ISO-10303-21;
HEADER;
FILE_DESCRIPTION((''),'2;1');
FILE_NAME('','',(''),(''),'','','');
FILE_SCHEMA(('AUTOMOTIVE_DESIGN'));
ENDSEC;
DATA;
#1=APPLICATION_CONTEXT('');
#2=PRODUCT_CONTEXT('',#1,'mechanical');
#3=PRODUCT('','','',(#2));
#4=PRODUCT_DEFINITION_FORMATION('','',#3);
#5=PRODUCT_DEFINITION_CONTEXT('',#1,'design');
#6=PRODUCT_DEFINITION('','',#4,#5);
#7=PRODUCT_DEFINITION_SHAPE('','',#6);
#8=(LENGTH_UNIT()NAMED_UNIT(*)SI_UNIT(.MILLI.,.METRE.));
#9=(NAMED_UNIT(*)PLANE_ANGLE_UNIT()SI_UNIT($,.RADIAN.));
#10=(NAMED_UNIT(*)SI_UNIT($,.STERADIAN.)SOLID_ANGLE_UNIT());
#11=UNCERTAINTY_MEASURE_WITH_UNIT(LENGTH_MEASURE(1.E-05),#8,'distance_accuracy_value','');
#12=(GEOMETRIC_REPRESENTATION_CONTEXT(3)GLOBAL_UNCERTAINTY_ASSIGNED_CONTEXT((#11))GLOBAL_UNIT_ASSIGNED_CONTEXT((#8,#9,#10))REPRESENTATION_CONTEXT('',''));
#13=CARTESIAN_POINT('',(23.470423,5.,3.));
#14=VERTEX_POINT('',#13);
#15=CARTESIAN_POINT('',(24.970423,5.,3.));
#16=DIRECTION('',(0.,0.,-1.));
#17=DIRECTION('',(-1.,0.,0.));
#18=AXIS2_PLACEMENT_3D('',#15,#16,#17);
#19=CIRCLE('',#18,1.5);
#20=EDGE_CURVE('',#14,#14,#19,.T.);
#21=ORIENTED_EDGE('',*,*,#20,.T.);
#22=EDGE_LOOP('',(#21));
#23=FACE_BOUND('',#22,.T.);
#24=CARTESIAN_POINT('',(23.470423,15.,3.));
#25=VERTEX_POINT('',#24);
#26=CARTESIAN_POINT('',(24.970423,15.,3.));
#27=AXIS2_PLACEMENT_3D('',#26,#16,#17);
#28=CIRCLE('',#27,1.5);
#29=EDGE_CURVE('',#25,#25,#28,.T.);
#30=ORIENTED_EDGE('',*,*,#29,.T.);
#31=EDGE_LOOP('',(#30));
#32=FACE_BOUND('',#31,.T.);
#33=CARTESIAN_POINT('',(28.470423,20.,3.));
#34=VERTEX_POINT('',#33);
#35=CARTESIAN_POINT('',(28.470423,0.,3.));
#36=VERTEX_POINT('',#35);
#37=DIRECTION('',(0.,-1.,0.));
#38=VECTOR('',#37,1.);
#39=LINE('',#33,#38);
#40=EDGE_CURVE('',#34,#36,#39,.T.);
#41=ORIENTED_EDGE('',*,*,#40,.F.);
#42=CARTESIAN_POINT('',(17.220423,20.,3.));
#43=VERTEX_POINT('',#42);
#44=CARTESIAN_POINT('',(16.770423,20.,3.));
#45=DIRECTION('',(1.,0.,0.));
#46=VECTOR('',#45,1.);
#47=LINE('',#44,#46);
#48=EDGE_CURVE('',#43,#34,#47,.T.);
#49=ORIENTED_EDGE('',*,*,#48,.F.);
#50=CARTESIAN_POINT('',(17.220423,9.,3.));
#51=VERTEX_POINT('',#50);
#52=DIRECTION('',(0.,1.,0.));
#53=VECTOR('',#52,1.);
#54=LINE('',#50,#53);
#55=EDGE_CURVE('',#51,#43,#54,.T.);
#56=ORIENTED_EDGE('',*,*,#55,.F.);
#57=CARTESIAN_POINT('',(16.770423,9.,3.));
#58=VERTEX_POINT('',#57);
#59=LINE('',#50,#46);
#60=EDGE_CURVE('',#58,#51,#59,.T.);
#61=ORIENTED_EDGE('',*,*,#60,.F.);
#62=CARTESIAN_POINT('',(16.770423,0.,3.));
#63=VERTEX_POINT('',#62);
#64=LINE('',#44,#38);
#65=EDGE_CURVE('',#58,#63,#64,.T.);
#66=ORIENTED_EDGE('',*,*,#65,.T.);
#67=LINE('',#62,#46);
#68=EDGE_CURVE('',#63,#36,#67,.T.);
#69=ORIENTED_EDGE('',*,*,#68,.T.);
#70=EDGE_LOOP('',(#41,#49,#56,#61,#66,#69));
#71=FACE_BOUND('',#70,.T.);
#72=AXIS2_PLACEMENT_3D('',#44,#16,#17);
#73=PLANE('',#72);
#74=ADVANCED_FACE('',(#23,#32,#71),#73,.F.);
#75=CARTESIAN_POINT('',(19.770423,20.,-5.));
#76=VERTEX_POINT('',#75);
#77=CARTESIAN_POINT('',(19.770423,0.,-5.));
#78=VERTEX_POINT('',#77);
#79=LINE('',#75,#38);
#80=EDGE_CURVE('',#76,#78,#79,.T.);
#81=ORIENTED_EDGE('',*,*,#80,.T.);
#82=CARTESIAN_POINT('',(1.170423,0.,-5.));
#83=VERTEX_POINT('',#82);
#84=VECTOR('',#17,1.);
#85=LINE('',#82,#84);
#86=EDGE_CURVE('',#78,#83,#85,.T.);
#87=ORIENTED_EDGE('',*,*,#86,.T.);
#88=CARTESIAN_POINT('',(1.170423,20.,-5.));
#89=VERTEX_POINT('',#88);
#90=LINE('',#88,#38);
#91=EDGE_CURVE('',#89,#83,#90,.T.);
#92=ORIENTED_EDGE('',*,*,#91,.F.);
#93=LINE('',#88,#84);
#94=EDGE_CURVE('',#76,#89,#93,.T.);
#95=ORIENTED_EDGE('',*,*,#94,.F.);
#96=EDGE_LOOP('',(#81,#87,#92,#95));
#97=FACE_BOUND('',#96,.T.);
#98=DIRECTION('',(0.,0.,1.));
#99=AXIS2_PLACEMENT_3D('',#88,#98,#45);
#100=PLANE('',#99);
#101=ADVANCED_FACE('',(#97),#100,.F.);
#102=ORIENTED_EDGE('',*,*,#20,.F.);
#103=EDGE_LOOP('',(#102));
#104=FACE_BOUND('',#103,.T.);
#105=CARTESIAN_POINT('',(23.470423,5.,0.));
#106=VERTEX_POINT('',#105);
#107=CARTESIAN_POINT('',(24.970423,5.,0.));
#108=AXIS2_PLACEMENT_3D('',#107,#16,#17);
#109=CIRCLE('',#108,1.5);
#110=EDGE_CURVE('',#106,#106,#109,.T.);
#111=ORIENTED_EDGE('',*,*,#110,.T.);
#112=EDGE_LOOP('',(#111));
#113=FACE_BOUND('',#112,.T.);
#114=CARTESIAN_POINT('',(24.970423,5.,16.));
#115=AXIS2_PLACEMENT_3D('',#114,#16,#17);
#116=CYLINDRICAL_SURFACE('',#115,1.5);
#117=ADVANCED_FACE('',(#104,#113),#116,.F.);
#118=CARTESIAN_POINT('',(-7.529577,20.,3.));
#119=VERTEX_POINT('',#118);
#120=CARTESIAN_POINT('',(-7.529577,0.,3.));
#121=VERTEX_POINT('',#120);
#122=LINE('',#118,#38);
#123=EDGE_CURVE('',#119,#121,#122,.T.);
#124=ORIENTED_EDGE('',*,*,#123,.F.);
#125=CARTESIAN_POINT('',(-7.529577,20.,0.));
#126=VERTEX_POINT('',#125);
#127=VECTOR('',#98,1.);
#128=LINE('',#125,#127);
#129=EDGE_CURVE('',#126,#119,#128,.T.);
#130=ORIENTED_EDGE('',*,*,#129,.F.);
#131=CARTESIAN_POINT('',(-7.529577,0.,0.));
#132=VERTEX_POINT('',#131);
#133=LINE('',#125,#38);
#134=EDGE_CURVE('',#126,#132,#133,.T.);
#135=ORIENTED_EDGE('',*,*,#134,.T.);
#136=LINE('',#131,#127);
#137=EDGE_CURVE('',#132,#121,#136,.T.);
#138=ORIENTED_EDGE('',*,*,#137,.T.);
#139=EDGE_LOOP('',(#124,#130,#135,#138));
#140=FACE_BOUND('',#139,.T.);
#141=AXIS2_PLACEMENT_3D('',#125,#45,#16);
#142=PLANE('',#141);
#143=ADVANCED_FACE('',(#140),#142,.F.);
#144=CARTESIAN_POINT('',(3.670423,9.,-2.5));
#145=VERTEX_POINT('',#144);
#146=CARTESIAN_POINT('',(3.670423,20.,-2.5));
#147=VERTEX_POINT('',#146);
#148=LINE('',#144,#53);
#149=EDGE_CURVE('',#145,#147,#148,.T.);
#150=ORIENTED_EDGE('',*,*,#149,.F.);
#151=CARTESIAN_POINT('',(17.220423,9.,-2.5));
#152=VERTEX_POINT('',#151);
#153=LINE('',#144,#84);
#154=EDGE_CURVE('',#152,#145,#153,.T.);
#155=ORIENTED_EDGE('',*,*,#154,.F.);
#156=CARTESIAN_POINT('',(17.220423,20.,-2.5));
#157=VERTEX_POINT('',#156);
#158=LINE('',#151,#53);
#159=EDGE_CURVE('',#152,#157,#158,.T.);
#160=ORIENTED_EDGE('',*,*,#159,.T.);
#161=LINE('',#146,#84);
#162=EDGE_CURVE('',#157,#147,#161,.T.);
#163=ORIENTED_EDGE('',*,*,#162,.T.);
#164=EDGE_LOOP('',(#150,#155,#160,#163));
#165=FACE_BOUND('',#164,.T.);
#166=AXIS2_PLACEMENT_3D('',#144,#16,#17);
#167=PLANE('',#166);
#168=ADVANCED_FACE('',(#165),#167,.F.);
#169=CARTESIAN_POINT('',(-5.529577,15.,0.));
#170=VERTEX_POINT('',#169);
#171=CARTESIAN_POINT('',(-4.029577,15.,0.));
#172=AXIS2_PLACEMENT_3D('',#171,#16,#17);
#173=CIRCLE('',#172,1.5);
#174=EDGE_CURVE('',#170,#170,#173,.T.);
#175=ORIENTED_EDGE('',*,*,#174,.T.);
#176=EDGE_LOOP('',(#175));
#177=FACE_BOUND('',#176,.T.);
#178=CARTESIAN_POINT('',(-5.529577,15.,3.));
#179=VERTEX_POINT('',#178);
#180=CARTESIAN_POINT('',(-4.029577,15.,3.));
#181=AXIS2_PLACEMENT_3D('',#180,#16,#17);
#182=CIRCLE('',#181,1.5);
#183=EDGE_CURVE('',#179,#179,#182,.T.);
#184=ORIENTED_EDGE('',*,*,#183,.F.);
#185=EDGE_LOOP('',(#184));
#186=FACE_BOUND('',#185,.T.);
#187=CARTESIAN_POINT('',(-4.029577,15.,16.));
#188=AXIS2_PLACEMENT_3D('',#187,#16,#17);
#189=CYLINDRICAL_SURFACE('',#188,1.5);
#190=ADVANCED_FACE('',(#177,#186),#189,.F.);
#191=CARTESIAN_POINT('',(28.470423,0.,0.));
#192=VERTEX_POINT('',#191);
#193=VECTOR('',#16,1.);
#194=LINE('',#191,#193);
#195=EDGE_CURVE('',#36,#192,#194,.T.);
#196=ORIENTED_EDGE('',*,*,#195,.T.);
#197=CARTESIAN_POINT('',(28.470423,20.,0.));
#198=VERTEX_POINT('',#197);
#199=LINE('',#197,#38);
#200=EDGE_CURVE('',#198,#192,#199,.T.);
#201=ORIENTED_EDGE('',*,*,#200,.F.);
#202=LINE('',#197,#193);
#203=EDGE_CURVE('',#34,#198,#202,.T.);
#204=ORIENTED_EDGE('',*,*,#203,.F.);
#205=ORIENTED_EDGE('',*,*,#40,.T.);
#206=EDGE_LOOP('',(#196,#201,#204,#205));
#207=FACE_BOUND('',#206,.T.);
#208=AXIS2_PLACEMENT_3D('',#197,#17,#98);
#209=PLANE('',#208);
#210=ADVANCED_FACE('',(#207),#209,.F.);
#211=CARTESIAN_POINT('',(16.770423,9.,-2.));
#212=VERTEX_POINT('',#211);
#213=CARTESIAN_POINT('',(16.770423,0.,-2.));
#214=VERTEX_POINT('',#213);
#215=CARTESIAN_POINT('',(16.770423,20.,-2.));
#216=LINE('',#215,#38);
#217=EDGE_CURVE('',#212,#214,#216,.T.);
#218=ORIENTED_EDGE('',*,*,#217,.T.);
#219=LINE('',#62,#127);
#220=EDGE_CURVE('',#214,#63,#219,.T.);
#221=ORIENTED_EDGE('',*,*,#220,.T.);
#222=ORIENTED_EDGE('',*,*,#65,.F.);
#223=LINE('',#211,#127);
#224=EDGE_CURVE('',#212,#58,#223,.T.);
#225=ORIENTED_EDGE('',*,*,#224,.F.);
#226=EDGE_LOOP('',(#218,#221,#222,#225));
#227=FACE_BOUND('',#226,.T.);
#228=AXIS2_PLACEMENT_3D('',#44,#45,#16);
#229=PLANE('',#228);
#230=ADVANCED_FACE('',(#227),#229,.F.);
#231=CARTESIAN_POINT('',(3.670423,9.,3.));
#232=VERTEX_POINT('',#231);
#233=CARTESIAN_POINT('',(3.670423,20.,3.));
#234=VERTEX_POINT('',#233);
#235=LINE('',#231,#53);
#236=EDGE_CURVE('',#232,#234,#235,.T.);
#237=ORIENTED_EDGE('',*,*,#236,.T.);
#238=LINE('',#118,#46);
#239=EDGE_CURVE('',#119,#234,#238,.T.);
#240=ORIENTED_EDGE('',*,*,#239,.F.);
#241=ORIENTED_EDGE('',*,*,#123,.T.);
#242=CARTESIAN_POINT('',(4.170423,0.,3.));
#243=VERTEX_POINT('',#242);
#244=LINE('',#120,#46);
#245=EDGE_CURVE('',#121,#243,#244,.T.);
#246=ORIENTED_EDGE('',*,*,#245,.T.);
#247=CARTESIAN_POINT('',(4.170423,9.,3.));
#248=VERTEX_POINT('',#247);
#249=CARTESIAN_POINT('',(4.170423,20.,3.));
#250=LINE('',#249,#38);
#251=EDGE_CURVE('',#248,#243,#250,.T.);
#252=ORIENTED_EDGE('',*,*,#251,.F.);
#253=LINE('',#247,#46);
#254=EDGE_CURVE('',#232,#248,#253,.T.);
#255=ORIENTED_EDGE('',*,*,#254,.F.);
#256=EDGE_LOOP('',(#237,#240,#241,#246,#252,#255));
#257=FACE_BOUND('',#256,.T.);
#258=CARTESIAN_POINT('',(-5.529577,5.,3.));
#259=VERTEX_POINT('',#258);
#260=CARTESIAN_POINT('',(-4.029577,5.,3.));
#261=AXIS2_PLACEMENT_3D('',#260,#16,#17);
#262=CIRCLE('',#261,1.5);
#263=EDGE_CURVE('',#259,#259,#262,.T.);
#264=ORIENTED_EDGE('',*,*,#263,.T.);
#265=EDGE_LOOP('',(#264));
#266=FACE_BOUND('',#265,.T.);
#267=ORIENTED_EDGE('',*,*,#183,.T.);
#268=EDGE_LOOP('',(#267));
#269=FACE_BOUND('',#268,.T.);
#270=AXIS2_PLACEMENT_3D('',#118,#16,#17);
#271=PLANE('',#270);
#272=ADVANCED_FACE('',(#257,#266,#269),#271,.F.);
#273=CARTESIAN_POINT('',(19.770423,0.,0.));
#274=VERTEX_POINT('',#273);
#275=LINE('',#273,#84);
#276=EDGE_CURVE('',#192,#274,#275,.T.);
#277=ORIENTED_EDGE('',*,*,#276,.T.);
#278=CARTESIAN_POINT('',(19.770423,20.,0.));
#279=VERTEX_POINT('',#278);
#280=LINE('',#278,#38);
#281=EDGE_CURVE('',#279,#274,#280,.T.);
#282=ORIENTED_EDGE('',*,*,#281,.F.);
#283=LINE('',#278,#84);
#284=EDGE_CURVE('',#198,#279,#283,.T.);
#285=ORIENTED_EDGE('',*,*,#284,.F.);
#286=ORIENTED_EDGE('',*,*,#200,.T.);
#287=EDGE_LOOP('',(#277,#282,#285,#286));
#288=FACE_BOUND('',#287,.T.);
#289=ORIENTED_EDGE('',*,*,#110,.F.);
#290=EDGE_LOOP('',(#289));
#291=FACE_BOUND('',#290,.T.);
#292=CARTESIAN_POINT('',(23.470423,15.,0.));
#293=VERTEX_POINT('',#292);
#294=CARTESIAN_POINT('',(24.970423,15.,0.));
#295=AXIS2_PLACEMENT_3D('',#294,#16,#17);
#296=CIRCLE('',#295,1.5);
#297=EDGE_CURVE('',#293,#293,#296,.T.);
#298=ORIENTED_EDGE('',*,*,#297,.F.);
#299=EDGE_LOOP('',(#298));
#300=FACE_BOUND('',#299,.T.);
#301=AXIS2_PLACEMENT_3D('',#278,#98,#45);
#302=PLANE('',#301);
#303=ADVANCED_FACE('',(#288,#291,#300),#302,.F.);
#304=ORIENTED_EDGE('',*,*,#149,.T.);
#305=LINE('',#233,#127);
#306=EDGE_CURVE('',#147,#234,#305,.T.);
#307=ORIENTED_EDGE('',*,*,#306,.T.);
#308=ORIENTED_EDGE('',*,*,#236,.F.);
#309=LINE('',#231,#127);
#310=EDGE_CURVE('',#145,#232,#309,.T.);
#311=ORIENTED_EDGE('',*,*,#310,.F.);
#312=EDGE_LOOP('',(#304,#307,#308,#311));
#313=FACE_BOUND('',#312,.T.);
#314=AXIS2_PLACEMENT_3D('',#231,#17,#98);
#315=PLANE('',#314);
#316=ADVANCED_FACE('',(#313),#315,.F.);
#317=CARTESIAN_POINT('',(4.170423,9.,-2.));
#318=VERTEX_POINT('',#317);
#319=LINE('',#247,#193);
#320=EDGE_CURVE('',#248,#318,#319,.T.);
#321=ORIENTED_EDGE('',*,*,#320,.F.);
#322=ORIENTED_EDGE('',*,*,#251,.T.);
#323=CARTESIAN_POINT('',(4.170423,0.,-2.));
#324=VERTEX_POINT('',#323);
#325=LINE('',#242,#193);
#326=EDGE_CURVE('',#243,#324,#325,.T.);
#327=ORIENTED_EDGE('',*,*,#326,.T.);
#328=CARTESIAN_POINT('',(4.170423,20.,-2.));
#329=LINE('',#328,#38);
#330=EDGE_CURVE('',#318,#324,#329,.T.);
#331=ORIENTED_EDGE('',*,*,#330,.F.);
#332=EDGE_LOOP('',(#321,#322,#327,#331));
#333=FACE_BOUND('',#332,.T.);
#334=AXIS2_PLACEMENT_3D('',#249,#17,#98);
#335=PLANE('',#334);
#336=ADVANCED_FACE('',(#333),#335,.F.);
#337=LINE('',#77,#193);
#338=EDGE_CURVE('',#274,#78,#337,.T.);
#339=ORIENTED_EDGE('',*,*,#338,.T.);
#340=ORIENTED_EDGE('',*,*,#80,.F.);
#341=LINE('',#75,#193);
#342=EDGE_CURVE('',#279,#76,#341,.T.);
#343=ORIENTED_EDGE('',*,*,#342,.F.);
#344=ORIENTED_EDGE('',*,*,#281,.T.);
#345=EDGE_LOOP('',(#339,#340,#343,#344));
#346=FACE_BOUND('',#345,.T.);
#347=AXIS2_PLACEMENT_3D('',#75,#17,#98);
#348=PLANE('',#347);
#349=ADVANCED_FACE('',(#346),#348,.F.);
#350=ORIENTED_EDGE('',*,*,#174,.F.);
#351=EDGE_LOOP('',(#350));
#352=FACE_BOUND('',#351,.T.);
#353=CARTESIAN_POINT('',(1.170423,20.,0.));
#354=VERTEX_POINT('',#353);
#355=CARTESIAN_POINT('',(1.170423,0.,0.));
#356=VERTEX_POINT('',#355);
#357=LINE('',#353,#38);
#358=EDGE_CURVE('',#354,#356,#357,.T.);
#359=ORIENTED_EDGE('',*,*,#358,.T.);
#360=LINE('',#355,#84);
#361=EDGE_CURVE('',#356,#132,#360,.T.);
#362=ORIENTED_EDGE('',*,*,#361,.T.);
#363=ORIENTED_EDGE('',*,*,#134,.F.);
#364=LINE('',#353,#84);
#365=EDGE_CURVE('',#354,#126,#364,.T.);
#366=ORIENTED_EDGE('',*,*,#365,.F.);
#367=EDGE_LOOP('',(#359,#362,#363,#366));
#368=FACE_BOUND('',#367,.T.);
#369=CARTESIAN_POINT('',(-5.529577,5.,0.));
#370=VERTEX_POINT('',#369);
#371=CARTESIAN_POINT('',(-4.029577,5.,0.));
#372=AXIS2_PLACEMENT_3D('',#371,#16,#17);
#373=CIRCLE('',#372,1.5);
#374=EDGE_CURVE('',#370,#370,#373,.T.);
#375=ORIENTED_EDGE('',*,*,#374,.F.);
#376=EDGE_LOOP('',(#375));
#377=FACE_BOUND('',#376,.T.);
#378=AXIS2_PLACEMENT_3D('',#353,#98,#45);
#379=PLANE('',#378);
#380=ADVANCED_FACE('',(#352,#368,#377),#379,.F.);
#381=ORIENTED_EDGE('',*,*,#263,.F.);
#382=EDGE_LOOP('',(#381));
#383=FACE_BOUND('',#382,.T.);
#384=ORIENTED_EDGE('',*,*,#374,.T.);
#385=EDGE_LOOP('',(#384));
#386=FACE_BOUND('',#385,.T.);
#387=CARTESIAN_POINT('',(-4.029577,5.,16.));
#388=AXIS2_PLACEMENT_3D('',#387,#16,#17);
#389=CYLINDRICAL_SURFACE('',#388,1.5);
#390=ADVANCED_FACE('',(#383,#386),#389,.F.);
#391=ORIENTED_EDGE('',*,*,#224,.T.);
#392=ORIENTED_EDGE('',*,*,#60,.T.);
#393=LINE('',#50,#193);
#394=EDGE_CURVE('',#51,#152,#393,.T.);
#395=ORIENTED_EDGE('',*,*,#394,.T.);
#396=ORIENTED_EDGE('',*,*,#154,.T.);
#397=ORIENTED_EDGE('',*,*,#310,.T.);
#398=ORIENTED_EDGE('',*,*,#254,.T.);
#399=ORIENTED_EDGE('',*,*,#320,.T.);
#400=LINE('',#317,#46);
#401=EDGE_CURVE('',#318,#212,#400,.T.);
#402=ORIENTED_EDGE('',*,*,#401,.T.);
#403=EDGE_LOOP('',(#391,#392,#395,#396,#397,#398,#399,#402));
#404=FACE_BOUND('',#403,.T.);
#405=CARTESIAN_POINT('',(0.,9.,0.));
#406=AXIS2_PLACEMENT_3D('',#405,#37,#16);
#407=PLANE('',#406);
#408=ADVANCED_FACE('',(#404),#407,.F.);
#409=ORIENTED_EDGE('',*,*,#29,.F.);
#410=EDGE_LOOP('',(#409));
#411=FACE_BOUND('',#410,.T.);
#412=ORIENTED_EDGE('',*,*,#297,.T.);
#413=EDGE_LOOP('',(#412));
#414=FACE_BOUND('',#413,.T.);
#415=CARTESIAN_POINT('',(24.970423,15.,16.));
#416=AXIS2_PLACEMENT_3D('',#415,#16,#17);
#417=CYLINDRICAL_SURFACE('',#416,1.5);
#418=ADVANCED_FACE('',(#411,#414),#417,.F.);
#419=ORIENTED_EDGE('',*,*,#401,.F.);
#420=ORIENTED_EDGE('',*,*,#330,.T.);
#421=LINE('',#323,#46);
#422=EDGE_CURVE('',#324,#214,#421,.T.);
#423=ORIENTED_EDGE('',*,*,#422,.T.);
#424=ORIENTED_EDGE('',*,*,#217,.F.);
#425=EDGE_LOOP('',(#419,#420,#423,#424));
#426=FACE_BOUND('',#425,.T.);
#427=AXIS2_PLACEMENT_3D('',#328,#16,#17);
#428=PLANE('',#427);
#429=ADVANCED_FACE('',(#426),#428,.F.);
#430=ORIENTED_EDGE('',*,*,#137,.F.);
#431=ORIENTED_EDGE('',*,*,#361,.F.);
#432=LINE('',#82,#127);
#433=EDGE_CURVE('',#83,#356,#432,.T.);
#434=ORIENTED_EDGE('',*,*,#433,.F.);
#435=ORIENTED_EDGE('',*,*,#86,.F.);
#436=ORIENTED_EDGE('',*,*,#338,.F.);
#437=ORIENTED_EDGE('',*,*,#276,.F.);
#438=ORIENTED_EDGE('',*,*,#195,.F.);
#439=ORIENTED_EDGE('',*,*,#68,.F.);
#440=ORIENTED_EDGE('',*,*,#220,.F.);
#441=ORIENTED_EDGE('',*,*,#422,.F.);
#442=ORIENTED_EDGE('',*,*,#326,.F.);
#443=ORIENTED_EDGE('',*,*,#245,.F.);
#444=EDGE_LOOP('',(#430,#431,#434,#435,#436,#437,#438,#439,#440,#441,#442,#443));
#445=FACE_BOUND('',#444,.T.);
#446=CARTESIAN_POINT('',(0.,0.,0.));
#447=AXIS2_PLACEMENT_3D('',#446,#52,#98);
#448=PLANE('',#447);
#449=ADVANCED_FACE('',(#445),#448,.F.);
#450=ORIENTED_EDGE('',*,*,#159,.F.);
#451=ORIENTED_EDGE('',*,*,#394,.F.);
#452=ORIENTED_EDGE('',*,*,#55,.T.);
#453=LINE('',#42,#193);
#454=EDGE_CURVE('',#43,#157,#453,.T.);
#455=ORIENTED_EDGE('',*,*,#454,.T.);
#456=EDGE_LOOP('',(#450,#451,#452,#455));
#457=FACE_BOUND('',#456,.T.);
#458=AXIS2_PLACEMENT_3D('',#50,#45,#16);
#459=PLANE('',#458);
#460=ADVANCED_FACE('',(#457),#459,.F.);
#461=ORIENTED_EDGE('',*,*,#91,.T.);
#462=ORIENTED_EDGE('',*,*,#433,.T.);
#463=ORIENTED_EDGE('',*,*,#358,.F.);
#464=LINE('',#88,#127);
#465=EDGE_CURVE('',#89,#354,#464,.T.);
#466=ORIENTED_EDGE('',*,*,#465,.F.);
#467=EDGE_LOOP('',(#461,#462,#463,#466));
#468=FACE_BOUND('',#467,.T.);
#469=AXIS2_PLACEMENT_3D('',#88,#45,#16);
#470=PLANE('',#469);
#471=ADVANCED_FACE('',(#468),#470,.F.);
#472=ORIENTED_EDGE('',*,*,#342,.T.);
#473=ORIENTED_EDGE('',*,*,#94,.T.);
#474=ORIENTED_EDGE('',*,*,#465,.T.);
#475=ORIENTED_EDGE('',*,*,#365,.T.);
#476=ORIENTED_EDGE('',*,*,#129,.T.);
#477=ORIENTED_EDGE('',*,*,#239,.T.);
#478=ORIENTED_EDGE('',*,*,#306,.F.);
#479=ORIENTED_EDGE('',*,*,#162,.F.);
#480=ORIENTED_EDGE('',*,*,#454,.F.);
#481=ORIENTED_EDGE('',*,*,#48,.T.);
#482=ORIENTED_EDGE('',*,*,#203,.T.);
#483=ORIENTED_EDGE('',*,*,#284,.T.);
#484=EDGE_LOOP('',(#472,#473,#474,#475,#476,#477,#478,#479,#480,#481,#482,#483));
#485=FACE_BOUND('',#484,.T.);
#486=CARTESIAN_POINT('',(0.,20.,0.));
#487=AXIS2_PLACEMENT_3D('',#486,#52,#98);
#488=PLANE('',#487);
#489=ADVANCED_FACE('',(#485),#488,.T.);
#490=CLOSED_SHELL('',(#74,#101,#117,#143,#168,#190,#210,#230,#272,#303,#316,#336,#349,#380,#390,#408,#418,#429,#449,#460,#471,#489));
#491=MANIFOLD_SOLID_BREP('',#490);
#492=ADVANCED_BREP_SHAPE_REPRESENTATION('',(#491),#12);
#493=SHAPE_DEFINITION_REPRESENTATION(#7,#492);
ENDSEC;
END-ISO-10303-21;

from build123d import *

# Parameters (mm, degrees)
BOSS_EXTRUDE1_DEPTH = 20
SKETCH2_R           = 1.5
CUT_EXTRUDE1_DEPTH  = 16
CUT_EXTRUDE2_DEPTH  = 11


with BuildPart() as part:
    # Sketch1 → Boss-Extrude1 (new body)
    with BuildSketch(Plane(origin=(0, 0, 0), x_dir=(1, 0, 0), z_dir=(0, 1, 0))):
        Polygon((16.770422535, -3), (28.470422535, -3), (28.470422535, 0), (19.770422535, 0), (19.770422535, 5), (1.170422535, 5), (1.170422535, 0), (-7.529577465, 0), (-7.529577465, -3), (4.170422535, -3), (4.170422535, 2), (16.770422535, 2), align=None)
    extrude(amount=BOSS_EXTRUDE1_DEPTH)

    # Sketch2 → Cut-Extrude1 (cut)
    with BuildSketch(Plane(origin=(0, 0, 0), x_dir=(-1, 0, 0), z_dir=(0, 0, -1))):
        with Locations((4.029577465, 15)):
            Circle(SKETCH2_R)
        with Locations((4.029577465, 5)):
            Circle(SKETCH2_R)
        with Locations((-24.970422535, 5)):
            Circle(SKETCH2_R)
        with Locations((-24.970422535, 15)):
            Circle(SKETCH2_R)
    extrude(amount=-CUT_EXTRUDE1_DEPTH, mode=Mode.SUBTRACT)

    # Sketch3 → Cut-Extrude2 (cut)
    with BuildSketch(Plane(origin=(0, 20, 0), x_dir=(1, 0, 0), z_dir=(0, 1, 0))):
        Polygon((4.170422535, -3), (4.170422535, 2), (16.770422535, 2), (16.770422535, -3), (17.220422535, -3), (17.220422535, 2.5), (3.670422535, 2.5), (3.670422535, -3), align=None)
    extrude(amount=-CUT_EXTRUDE2_DEPTH, mode=Mode.SUBTRACT)


solid = part.part
